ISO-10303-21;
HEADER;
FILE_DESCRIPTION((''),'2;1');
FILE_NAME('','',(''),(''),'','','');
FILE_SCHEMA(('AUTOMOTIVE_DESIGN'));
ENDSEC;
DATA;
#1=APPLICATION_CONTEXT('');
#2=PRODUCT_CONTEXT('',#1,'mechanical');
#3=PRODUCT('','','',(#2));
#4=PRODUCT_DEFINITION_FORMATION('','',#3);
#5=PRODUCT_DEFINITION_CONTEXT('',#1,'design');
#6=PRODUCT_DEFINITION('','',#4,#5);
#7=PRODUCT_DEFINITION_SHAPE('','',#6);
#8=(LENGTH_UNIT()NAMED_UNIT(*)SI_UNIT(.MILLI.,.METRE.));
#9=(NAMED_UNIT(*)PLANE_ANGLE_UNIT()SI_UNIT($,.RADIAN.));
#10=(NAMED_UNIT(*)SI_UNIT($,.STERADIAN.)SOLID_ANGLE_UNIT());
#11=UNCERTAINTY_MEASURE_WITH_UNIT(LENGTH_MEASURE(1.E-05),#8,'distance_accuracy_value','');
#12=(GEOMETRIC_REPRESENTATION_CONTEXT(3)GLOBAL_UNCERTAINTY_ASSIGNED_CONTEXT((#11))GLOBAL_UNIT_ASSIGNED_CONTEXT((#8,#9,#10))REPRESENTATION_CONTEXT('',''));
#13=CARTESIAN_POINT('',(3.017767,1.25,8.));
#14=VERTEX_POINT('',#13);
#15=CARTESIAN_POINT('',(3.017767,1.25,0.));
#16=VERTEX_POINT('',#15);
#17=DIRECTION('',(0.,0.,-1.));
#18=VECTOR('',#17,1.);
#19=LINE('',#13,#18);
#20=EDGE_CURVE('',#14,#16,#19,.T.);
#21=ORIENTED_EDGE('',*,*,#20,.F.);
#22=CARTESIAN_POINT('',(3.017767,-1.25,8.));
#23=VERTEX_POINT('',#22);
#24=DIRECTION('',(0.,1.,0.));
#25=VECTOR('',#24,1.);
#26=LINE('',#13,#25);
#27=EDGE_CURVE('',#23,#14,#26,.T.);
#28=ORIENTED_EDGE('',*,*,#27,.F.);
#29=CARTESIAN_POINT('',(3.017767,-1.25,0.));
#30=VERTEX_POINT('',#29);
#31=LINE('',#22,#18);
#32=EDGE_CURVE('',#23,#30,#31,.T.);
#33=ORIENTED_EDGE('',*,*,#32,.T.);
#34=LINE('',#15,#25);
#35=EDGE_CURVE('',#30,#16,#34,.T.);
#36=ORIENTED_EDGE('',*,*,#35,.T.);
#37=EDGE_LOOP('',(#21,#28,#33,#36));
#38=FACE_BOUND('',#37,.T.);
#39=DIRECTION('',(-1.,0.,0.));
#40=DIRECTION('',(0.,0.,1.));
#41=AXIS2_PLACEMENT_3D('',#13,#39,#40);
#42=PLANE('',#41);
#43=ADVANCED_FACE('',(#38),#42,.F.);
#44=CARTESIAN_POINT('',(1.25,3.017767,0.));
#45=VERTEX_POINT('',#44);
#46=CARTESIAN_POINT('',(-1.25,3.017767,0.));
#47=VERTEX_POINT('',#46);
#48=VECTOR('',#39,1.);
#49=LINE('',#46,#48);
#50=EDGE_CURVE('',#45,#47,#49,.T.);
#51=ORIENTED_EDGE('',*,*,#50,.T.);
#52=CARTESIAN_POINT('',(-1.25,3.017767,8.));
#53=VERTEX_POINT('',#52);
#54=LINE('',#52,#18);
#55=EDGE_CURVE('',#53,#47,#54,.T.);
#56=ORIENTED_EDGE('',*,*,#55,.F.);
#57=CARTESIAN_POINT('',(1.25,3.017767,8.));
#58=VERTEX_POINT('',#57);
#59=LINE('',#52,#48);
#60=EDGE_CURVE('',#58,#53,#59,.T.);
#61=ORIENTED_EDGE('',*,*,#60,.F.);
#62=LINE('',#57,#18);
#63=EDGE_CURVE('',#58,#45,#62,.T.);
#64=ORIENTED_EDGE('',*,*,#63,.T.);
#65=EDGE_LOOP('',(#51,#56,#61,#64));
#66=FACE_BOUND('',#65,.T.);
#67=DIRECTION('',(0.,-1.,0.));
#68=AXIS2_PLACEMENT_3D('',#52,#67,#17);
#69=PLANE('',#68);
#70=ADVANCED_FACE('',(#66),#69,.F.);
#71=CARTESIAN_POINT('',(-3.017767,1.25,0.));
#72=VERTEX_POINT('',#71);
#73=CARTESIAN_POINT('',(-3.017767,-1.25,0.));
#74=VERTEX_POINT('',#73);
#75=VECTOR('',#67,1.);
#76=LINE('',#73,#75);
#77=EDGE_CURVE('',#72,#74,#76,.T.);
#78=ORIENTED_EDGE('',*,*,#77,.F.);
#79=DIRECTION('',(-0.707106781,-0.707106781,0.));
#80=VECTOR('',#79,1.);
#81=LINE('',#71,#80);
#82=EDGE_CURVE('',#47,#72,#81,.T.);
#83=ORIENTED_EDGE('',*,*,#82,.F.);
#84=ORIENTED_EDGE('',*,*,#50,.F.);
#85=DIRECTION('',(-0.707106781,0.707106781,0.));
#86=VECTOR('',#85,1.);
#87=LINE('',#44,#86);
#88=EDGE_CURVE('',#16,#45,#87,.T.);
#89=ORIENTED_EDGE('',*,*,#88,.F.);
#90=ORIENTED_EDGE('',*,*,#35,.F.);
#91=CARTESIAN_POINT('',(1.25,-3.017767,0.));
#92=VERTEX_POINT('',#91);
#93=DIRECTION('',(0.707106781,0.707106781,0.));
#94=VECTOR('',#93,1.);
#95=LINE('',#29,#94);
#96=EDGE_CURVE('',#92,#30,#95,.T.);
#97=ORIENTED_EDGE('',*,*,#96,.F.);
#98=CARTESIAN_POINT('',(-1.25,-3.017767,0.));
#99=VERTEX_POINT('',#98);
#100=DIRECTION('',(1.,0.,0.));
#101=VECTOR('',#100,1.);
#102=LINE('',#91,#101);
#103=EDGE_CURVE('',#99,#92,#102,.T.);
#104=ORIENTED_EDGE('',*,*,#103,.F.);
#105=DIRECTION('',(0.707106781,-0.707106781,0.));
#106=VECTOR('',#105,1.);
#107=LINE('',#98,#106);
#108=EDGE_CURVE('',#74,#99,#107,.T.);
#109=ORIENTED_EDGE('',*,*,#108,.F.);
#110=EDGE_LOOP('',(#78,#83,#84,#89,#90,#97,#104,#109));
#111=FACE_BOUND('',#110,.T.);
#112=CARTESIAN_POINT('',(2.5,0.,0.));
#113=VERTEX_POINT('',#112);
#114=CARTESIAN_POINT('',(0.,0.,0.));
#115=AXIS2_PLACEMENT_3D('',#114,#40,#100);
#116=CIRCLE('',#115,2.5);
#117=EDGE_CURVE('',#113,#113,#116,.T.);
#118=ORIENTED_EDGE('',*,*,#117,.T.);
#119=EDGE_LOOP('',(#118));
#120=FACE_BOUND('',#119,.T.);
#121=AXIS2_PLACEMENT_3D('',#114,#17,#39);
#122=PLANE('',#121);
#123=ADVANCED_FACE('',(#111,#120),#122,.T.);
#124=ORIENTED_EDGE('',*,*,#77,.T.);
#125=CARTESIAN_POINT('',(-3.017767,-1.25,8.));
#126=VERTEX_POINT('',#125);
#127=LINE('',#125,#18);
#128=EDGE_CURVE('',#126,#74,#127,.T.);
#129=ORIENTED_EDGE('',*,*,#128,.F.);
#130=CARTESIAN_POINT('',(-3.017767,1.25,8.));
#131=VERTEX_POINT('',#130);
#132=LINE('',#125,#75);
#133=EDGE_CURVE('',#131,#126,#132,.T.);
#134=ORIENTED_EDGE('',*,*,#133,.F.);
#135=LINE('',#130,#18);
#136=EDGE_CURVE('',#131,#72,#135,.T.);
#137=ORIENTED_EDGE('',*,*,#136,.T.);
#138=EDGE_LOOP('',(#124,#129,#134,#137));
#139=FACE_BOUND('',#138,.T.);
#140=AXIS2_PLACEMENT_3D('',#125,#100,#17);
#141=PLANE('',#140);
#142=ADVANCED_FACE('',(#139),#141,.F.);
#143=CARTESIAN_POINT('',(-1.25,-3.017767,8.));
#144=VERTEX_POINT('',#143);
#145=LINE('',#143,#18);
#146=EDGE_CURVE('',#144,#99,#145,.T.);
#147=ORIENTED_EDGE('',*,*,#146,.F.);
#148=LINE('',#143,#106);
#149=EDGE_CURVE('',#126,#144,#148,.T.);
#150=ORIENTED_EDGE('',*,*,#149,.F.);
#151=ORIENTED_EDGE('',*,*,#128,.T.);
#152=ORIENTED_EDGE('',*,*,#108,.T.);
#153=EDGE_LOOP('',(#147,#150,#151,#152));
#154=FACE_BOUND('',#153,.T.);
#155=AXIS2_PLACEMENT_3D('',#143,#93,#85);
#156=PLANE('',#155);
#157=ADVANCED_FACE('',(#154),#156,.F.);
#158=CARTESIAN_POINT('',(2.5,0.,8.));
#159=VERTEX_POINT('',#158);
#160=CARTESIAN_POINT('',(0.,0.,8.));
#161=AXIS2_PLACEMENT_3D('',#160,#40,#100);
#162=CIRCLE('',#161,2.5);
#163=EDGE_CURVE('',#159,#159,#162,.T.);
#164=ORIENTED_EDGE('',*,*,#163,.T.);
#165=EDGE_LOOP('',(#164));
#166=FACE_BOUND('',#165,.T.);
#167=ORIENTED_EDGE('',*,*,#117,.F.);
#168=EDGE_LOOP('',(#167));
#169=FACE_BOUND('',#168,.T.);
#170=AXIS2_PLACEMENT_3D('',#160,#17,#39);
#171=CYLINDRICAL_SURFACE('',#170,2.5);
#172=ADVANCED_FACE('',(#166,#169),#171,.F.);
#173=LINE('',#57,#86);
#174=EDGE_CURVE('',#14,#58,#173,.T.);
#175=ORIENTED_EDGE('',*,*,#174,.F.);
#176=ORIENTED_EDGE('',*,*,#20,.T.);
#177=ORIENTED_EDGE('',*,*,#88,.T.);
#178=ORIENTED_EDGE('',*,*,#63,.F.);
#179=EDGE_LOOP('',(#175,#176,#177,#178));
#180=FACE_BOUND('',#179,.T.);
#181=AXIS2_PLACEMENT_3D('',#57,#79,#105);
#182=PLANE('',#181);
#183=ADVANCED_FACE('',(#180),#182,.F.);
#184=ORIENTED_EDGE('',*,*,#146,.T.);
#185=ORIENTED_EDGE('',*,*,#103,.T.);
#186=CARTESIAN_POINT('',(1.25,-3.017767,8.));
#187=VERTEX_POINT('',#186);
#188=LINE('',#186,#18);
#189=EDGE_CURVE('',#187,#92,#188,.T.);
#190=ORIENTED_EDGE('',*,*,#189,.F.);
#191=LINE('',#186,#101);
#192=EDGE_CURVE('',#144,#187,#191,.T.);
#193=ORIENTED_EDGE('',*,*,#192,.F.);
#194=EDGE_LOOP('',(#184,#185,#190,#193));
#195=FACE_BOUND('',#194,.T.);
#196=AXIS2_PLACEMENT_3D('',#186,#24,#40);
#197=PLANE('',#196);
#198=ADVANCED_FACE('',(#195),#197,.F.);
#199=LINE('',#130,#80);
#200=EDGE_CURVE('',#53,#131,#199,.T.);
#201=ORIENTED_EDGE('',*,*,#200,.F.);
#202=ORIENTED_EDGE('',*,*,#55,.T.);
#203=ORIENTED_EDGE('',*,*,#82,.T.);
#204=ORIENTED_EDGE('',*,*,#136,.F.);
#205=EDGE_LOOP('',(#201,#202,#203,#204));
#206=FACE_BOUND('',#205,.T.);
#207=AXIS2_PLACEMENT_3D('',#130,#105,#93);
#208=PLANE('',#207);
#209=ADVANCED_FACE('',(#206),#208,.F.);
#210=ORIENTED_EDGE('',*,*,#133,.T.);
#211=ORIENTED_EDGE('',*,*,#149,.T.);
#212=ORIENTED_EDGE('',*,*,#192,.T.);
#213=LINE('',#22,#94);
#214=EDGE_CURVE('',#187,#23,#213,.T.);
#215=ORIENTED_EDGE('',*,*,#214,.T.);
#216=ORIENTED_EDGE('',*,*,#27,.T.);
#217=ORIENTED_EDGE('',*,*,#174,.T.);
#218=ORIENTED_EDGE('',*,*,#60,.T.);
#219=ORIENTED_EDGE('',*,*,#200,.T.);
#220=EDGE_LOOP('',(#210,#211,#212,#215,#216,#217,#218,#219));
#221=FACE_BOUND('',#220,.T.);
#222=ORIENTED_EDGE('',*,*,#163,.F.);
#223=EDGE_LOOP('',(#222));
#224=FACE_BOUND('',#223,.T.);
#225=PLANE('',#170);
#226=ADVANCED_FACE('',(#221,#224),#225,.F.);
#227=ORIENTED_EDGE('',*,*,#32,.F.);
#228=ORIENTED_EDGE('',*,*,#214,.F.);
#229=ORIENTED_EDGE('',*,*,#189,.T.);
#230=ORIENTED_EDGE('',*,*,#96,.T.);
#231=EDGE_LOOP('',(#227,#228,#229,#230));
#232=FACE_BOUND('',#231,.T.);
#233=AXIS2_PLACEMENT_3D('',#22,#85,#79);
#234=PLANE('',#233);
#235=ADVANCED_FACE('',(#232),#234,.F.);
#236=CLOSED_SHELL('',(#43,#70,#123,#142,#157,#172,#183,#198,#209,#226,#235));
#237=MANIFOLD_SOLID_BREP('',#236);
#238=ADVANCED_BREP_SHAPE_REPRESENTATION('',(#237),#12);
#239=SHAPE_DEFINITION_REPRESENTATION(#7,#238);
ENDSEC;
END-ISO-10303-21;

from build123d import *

# Parameters (mm, degrees)
SKETCH1_R           = 2.5
BOSS_EXTRUDE1_DEPTH = 8


with BuildPart() as part:
    # Sketch1 → Boss-Extrude1 (new body)
    with BuildSketch(Plane.XY):
        Polygon((-1.25, 3.017766953), (1.25, 3.017766953), (3.017766953, 1.25), (3.017766953, -1.25), (1.25, -3.017766953), (-1.25, -3.017766953), (-3.017766953, -1.25), (-3.017766953, 1.25), align=None)
        Circle(SKETCH1_R, mode=Mode.SUBTRACT)
    extrude(amount=BOSS_EXTRUDE1_DEPTH)


solid = part.part
